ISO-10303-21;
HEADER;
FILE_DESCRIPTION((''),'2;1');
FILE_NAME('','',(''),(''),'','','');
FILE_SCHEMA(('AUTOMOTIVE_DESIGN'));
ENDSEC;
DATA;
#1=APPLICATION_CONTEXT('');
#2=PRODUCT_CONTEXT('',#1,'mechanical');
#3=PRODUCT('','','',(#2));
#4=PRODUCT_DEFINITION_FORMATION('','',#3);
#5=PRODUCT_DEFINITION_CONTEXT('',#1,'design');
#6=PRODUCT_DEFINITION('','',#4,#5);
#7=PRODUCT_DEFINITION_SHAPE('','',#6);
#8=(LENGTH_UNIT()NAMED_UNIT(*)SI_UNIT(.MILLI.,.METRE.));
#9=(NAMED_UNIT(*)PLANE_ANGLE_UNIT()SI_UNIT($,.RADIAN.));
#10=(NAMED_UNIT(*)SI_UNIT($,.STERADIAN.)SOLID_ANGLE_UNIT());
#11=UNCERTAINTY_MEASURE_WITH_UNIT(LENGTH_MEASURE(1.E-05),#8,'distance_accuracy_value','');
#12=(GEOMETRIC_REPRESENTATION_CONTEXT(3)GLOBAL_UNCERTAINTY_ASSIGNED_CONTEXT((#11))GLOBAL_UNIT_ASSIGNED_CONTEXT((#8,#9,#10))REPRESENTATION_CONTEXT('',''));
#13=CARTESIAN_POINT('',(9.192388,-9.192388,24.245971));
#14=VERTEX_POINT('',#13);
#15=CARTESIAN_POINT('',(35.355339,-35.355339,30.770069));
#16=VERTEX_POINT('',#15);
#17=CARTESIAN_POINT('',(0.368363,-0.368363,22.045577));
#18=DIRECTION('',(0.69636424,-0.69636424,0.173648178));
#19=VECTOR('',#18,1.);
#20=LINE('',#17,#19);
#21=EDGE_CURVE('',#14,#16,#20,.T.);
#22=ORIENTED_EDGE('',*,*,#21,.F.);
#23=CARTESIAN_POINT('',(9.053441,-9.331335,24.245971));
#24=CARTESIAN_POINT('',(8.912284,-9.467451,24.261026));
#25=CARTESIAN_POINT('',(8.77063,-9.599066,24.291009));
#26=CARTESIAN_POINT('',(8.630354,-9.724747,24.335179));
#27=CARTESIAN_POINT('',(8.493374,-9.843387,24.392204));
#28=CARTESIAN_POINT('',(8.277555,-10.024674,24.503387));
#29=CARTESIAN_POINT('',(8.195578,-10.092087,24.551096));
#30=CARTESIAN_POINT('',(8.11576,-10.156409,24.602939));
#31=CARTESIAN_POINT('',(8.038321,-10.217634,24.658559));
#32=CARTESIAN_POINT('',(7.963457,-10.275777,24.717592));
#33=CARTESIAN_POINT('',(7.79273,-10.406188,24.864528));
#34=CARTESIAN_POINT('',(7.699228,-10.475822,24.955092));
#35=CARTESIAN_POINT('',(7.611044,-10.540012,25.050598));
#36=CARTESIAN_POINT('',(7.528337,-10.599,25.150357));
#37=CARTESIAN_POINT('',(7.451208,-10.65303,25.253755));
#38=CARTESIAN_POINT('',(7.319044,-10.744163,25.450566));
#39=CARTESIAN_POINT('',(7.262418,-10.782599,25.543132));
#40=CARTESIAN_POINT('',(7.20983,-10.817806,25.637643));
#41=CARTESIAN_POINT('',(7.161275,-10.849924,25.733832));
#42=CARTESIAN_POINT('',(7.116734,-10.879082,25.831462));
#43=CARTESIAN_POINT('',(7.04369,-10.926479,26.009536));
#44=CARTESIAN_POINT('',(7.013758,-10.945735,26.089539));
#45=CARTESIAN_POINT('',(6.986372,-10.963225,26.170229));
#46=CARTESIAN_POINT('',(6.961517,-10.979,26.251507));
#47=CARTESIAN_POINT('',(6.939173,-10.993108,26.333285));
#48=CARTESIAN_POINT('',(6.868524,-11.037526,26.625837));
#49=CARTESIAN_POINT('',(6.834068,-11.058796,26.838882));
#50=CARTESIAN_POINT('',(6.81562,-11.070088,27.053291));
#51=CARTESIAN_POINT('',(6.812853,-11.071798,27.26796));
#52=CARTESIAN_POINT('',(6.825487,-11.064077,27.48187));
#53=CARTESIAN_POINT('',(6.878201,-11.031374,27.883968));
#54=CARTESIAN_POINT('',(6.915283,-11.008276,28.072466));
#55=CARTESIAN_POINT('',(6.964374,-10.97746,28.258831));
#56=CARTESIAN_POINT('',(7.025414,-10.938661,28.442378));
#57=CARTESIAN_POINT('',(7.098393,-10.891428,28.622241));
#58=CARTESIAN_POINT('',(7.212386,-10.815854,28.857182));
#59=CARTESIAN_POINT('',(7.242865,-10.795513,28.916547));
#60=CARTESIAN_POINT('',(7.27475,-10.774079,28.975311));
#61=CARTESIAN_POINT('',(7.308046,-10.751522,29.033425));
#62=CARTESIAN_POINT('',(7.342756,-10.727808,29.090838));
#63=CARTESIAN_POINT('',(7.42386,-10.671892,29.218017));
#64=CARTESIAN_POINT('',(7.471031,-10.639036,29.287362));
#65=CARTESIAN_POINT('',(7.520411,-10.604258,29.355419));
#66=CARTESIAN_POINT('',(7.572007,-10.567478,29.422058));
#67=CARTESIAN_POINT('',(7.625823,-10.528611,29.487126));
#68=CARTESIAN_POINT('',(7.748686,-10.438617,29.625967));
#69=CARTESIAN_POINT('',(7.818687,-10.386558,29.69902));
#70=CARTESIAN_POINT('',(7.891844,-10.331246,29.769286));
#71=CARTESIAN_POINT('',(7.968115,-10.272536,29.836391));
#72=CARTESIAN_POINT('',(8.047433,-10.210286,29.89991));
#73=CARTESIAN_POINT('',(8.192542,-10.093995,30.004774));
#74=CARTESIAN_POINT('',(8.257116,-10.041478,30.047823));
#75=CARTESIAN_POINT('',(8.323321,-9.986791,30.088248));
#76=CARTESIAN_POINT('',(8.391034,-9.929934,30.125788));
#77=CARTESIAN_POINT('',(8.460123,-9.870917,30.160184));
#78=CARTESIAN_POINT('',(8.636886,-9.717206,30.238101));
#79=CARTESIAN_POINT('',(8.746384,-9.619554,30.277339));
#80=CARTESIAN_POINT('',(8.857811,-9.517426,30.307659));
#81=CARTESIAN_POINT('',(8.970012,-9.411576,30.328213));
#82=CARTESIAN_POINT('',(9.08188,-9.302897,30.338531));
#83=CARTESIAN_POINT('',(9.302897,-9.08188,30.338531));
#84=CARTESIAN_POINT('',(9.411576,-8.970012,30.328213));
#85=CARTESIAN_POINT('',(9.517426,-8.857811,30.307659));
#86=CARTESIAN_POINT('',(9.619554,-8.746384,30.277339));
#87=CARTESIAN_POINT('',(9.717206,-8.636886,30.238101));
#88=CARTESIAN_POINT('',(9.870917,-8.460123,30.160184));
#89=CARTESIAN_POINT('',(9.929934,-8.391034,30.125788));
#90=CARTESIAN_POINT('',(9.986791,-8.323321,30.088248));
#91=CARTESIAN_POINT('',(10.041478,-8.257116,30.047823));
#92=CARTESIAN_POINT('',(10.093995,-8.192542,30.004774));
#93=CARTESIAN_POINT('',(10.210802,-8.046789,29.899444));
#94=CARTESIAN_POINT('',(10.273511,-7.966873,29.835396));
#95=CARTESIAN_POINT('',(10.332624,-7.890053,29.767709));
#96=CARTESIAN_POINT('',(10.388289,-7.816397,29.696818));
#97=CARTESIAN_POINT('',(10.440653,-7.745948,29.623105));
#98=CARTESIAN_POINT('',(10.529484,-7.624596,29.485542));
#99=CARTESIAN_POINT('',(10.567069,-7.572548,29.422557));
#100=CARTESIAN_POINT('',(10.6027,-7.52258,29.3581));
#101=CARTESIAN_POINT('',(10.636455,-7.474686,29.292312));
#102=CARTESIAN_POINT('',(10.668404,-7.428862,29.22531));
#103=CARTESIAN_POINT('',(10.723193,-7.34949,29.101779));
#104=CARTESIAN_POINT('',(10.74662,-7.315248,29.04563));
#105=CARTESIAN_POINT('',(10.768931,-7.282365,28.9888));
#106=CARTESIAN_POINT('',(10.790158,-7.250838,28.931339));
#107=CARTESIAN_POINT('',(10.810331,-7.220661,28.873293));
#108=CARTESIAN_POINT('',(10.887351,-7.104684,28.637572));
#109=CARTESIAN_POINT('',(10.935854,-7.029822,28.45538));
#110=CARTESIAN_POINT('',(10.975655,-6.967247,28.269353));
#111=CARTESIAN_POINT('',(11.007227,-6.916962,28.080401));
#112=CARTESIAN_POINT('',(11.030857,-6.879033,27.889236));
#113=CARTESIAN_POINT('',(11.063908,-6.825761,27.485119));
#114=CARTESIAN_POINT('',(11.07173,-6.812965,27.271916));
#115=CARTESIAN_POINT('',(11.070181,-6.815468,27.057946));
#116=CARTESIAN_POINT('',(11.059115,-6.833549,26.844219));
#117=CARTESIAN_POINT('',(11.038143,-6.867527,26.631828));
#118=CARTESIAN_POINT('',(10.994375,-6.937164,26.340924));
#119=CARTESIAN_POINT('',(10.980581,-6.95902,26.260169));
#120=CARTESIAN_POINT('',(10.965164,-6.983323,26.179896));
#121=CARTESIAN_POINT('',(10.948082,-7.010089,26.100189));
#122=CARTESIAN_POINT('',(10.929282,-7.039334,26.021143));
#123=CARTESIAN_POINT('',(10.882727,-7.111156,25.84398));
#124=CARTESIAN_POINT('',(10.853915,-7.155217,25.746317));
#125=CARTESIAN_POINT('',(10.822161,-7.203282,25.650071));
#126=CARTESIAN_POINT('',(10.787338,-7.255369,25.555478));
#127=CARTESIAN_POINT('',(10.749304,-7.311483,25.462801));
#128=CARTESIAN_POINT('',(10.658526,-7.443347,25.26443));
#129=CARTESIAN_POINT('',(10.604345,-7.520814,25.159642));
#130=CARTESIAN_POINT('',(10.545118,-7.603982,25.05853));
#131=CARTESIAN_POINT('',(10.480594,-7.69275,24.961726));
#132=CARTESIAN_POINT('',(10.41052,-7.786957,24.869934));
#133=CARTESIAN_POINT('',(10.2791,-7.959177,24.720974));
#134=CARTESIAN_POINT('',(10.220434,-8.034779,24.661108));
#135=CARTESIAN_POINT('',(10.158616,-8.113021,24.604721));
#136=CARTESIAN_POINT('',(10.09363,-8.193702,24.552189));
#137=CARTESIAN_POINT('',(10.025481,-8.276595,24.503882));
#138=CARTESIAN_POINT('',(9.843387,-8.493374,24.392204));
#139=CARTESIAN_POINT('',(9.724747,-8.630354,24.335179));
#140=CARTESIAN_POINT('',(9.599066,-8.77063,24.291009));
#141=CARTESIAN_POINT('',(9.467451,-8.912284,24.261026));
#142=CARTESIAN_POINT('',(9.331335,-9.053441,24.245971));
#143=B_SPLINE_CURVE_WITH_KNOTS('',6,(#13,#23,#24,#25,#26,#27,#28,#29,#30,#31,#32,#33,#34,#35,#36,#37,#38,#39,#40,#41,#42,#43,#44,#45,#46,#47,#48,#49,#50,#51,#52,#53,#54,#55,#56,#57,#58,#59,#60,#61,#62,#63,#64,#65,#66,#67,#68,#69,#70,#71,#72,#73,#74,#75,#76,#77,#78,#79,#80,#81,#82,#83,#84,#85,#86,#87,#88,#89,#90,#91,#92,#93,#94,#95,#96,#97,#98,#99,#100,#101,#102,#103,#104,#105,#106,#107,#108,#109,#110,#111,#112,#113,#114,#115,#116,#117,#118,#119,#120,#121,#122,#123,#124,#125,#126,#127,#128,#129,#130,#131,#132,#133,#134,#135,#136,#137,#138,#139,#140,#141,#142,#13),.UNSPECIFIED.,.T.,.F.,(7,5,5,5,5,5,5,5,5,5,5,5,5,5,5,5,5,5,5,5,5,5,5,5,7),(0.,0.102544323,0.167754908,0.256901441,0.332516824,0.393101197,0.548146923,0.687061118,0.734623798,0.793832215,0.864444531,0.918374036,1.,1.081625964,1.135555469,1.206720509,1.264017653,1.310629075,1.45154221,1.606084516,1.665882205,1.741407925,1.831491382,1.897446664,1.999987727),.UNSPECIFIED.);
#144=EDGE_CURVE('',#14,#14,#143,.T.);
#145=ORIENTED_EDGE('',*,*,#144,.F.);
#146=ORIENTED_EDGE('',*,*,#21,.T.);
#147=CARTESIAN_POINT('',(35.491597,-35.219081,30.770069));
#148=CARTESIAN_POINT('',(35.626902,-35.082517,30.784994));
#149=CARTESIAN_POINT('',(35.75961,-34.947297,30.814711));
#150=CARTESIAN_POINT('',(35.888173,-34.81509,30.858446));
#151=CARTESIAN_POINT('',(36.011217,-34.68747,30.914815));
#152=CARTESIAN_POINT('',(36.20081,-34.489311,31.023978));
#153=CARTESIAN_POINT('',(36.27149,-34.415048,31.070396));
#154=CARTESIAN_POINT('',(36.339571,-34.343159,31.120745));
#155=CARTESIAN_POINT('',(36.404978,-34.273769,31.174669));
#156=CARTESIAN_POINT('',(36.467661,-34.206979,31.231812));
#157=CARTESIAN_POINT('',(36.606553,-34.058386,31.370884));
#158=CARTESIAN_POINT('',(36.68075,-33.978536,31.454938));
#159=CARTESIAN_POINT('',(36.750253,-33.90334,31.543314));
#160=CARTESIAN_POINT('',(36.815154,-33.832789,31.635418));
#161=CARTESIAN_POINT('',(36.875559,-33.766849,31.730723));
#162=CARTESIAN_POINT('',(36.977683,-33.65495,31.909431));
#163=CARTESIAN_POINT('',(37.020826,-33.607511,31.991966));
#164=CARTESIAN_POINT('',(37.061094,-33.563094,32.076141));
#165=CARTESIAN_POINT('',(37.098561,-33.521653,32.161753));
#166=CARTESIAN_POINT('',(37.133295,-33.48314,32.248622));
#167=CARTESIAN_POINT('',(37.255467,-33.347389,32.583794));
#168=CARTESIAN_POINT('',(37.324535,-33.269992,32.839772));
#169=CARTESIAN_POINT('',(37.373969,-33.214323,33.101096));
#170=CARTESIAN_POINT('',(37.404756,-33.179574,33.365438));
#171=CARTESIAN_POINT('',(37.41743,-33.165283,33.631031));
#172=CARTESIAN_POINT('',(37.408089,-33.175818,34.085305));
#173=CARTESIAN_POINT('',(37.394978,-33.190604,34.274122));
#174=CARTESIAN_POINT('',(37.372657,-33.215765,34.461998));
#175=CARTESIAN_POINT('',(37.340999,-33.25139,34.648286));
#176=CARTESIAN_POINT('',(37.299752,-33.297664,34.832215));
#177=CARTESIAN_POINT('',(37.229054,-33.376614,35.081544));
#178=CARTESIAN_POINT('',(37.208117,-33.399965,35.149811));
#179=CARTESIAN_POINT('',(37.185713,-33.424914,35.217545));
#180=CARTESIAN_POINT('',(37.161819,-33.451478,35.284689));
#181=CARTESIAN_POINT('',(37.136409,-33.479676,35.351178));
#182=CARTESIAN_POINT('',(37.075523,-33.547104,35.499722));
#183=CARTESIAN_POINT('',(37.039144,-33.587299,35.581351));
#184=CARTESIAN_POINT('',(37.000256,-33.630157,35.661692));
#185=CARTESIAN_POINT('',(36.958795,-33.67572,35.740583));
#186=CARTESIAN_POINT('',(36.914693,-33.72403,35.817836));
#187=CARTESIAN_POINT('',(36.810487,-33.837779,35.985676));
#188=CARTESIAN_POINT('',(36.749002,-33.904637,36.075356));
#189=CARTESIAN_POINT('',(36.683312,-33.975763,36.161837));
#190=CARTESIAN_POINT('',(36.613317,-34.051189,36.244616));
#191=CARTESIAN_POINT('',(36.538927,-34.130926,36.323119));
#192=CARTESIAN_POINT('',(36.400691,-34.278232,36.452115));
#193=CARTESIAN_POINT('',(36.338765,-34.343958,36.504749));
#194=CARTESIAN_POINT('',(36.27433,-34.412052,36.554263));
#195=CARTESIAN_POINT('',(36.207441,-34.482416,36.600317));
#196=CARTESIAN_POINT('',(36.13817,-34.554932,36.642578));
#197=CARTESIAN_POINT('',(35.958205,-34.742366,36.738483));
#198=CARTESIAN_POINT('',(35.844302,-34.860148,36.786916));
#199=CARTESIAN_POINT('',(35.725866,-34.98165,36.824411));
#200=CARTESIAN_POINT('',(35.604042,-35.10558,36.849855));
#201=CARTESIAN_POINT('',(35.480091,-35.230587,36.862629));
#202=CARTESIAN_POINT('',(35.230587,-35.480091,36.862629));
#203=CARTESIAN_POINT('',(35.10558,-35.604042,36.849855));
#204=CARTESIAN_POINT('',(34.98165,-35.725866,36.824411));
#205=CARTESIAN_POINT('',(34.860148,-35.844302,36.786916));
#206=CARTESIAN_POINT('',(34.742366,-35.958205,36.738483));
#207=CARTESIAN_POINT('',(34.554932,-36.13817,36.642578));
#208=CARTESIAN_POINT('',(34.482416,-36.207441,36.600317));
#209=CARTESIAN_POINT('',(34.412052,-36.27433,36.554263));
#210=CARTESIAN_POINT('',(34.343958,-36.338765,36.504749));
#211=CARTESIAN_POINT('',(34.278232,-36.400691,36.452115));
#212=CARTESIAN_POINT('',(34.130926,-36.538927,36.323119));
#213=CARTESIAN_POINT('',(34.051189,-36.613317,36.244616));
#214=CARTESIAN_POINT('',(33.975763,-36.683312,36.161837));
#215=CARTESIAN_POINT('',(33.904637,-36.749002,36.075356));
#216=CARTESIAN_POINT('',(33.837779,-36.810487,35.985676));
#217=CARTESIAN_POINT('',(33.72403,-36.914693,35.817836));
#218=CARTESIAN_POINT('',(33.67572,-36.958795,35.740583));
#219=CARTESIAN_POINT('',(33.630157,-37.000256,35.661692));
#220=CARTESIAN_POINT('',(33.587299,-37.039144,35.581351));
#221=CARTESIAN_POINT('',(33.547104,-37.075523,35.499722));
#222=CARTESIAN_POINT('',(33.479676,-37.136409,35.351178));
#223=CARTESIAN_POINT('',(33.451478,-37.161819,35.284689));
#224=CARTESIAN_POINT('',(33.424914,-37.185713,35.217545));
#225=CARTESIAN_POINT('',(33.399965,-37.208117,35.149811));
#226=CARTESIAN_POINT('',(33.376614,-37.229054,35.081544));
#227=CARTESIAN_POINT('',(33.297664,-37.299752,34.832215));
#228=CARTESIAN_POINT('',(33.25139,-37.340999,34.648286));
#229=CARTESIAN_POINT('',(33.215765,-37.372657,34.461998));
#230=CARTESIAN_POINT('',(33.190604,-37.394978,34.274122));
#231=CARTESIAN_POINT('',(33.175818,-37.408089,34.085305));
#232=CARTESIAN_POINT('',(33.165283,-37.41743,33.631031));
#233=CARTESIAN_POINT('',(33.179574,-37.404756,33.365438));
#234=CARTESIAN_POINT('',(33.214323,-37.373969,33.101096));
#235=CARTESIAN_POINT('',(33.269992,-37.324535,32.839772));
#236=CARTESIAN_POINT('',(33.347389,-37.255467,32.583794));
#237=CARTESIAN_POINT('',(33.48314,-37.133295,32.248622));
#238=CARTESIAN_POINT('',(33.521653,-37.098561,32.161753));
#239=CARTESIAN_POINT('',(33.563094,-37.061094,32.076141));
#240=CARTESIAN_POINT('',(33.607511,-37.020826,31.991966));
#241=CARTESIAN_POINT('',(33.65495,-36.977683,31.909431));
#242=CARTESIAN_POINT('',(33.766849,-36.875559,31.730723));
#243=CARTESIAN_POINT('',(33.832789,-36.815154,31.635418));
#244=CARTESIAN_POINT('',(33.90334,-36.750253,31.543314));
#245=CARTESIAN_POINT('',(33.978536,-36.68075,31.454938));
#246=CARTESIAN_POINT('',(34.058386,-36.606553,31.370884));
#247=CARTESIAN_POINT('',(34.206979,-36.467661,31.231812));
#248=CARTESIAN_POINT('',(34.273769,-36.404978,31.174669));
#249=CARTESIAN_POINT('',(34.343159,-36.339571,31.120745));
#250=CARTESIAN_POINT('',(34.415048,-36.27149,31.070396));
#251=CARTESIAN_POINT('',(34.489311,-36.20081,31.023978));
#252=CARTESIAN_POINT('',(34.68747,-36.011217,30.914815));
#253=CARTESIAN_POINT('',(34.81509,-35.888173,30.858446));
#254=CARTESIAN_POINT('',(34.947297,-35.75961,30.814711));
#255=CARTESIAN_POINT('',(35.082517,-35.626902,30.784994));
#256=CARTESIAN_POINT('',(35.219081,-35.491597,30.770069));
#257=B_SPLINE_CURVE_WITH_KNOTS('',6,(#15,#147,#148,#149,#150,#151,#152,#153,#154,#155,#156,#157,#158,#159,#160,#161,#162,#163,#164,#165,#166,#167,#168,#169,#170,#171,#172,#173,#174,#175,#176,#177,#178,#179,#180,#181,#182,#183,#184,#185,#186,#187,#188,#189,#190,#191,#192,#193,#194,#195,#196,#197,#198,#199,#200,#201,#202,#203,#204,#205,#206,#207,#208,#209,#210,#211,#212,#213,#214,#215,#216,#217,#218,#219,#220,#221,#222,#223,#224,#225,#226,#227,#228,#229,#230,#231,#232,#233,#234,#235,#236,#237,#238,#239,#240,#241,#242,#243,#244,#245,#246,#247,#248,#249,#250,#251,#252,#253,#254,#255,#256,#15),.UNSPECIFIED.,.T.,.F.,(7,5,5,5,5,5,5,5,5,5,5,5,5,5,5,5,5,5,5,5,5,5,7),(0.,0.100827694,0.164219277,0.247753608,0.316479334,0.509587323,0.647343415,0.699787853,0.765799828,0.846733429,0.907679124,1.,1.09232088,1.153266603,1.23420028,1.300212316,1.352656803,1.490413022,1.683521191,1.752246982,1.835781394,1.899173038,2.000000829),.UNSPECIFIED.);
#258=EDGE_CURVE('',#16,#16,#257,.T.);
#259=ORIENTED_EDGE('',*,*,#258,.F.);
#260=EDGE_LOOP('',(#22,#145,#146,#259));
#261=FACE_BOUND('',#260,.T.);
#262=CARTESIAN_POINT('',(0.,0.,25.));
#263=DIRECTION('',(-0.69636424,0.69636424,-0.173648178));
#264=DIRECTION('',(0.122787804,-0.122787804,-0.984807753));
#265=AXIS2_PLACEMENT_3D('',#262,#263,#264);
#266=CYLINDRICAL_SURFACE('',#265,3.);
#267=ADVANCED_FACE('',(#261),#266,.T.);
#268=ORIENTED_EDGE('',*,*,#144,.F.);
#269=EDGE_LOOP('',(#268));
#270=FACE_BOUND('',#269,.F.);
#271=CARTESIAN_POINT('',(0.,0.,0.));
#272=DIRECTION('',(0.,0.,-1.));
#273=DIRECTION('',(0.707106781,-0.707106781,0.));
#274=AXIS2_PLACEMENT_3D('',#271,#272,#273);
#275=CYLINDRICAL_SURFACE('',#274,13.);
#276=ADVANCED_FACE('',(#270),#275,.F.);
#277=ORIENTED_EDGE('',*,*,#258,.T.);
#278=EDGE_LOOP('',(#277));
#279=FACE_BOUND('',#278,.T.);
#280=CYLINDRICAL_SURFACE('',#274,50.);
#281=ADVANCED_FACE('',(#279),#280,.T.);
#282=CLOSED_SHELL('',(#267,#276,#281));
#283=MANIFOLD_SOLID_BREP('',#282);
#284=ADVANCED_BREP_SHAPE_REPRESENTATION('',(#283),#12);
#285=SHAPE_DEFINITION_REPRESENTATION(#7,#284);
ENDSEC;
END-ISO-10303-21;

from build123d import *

# Parameters (mm, degrees)
CYLINDER015_R               = 50
CYLINDER015_DEPTH           = 67
CYLINDER014_R               = 55
CYLINDER014_DEPTH           = 67
CYLINDER013_R               = 13
CYLINDER013_DEPTH           = 60
CYLINDER012_R               = 3
CYLINDER012_DEPTH           = 54
CYLINDER012_PLACEMENT_ANGLE = 80
CUT009_PLACEMENT_ANGLE      = 45


with BuildPart() as inner001:
    # Cylinder015 → Cylinder015 (new body)
    with BuildSketch(Plane.XY):
        Circle(CYLINDER015_R)
    extrude(amount=CYLINDER015_DEPTH)


with BuildPart() as case001:
    # Cylinder014 → Cylinder014 (new body)
    with BuildSketch(Plane.XY):
        Circle(CYLINDER014_R)
    extrude(amount=CYLINDER014_DEPTH)

    # Cut008: cut Inner001
    add(inner001.part, mode=Mode.SUBTRACT)


with BuildPart() as cylinder016:
    # Cylinder013 → Cylinder013 (new body)
    with BuildSketch(Plane.XY):
        Circle(CYLINDER013_R)
    extrude(amount=CYLINDER013_DEPTH)


with BuildPart() as support_final:
    # Cylinder012 → Cylinder012 (new body)
    with BuildSketch(Plane.XY):
        Circle(CYLINDER012_R)
    extrude(amount=CYLINDER012_DEPTH)


with BuildPart() as support_final_1:
    # Cylinder012 placement: moved
    add(support_final.part.moved(Location((0, 0, 25))).rotate(Axis((0, 0, 25), (0, 1, 0)), CYLINDER012_PLACEMENT_ANGLE))

    # Cut007: cut Cylinder016
    add(cylinder016.part, mode=Mode.SUBTRACT)

    # Cut009: cut Case001
    add(case001.part, mode=Mode.SUBTRACT)


with BuildPart() as support_final_2:
    # Cut009 placement: moved
    add(support_final_1.part.rotate(Axis((0, 0, 0), (0, 0, 1)), CUT009_PLACEMENT_ANGLE))


with BuildPart() as part_mirroring002:
    # Part__Mirroring002: instance of Support Final
    add(support_final_2.part.mirror(Plane(origin=(0, 0, 0), x_dir=(1, 0, 0), z_dir=(0, 1, 0))))


solid = part_mirroring002.part
